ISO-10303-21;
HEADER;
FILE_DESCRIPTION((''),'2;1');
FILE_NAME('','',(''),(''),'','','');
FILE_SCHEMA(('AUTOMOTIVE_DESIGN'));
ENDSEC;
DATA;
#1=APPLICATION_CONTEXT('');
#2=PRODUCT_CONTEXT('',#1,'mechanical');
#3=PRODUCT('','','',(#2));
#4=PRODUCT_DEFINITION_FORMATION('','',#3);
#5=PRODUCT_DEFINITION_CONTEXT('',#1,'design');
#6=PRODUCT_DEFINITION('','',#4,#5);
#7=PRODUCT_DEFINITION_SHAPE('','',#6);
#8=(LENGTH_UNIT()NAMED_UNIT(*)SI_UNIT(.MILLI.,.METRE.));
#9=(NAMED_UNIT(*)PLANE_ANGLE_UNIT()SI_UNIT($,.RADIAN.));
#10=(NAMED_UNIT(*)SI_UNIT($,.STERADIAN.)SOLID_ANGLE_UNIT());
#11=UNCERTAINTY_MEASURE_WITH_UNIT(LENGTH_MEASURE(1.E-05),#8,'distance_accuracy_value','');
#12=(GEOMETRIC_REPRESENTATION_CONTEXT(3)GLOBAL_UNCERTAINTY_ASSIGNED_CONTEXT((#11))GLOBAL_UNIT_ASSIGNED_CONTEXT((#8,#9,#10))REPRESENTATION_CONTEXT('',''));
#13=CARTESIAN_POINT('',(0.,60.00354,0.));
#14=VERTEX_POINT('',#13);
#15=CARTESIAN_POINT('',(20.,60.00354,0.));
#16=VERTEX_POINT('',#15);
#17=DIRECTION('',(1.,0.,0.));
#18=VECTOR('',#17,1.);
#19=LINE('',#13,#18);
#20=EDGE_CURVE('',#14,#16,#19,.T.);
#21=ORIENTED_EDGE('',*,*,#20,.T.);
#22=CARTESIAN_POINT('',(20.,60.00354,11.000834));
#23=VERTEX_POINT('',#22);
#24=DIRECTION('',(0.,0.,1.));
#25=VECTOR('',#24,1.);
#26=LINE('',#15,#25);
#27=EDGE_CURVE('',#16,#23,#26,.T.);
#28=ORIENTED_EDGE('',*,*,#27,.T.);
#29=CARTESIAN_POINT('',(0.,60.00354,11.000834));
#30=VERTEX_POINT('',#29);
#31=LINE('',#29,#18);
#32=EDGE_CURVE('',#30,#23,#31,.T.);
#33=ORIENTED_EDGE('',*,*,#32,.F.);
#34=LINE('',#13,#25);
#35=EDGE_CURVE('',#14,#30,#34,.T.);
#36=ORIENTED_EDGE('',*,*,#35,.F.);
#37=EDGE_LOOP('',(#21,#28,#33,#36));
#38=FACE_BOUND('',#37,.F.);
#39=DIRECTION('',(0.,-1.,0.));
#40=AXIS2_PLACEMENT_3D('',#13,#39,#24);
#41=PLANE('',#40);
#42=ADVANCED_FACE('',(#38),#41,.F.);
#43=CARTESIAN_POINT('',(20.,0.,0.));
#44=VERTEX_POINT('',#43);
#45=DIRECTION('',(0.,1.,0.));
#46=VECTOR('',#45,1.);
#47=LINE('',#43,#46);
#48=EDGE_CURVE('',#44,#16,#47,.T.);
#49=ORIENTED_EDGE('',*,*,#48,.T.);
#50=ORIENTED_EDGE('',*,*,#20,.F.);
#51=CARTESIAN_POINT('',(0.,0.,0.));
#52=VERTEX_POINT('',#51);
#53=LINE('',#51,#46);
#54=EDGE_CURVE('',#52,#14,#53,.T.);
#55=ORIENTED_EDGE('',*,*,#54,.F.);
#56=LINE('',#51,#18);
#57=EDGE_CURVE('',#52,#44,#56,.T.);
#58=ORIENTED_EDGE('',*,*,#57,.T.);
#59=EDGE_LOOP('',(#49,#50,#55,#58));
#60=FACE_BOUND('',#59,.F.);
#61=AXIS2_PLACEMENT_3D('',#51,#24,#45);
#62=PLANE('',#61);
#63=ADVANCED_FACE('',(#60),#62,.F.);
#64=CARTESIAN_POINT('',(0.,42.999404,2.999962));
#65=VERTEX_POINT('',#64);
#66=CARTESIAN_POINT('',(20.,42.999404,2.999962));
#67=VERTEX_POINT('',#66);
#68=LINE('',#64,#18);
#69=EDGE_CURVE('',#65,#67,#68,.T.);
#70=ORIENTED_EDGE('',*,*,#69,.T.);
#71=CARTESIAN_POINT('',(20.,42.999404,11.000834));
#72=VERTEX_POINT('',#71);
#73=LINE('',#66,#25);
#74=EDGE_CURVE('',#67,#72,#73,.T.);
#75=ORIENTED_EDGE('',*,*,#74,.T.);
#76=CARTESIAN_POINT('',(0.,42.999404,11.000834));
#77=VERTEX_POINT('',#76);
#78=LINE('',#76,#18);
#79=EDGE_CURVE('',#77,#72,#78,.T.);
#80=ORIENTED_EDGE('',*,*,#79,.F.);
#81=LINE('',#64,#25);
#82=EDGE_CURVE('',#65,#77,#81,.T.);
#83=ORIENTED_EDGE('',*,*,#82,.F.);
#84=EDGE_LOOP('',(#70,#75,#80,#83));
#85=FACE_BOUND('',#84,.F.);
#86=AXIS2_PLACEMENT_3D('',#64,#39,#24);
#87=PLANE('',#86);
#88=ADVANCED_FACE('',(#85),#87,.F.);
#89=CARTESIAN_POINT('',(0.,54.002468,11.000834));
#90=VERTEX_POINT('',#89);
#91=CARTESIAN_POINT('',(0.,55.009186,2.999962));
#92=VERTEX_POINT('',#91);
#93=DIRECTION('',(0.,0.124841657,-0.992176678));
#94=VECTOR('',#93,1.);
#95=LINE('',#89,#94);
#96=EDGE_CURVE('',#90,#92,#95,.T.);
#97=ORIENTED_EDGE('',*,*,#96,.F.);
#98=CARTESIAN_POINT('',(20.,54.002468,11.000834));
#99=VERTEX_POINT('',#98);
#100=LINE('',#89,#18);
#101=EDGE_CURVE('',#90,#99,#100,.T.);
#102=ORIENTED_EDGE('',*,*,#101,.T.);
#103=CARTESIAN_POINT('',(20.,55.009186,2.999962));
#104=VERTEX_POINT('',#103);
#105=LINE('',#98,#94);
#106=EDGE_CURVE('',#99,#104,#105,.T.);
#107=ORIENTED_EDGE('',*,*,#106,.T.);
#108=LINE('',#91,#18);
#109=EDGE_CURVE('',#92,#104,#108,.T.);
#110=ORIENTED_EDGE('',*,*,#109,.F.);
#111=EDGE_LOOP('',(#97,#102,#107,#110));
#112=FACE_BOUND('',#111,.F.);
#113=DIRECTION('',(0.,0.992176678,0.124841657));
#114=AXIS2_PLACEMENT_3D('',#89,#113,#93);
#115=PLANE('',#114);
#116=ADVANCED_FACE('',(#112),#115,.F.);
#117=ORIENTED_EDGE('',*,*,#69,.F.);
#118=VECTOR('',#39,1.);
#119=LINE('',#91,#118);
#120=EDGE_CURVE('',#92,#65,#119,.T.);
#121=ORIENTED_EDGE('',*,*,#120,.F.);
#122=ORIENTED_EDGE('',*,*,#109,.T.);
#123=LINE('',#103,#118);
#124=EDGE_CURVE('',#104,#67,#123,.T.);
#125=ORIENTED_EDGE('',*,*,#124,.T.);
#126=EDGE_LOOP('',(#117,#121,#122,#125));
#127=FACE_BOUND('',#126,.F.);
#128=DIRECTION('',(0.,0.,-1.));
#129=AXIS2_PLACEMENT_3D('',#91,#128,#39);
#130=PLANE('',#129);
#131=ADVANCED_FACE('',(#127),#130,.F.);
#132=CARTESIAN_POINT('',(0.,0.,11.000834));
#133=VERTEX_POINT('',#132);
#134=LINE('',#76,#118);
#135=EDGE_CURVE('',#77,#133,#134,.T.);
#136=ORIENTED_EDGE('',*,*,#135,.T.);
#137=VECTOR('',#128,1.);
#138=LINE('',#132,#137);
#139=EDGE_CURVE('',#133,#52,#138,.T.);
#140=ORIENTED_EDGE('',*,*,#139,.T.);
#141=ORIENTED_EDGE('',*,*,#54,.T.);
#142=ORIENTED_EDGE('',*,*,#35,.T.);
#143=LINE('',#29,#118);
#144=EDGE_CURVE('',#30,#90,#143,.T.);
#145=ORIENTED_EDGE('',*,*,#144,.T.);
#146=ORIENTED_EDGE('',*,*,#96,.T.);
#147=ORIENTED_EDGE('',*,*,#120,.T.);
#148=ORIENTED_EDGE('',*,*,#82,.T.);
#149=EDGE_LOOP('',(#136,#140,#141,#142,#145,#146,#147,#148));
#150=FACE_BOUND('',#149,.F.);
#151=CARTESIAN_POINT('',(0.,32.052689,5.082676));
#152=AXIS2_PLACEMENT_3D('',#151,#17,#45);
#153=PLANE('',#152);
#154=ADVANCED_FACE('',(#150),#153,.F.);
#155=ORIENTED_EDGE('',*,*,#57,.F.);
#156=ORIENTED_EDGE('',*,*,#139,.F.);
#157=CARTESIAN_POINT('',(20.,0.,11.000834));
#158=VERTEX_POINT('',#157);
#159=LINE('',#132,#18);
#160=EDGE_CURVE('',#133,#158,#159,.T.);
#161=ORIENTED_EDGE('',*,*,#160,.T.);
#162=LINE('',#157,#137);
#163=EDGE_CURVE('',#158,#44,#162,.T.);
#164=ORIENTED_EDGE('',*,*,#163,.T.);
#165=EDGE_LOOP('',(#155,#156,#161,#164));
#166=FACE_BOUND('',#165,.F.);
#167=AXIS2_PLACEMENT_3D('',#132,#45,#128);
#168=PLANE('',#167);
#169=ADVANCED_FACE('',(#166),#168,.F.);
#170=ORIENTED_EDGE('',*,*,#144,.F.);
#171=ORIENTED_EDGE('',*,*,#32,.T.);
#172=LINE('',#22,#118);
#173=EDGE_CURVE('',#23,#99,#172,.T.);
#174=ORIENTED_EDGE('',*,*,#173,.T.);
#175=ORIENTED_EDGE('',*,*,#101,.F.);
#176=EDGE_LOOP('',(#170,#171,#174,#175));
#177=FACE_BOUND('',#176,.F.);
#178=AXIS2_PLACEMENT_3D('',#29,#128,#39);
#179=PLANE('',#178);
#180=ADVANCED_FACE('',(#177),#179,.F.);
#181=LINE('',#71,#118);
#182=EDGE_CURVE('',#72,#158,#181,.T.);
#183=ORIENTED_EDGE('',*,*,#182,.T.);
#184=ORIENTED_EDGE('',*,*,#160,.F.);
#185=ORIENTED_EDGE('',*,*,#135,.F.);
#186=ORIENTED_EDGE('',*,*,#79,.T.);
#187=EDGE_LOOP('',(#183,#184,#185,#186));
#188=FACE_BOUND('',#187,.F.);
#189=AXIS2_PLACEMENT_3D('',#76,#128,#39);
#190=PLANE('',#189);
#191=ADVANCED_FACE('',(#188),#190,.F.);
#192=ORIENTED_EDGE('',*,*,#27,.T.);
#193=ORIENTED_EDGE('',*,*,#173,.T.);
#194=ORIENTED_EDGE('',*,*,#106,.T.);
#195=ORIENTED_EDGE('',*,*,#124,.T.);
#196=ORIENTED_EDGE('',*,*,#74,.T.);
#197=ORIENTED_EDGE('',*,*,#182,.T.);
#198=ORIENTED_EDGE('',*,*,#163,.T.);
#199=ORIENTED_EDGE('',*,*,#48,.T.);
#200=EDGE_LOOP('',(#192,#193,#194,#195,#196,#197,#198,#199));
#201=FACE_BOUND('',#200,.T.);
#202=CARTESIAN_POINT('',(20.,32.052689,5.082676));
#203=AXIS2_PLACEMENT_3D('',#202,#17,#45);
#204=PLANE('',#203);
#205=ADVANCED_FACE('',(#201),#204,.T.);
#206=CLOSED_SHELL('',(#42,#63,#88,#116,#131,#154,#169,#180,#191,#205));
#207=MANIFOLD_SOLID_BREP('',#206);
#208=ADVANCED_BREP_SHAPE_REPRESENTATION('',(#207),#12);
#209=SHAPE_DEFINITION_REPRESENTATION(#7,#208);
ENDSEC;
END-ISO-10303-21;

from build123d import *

# Parameters (mm, degrees)
EXTRUDE_DEPTH = 20


with BuildPart() as part:
    # Sketch → Extrude (new body)
    with BuildSketch(Plane.YZ):
        Polygon((0, 0), (60.00354, 0), (60.00354, 11.000834), (54.002468, 11.000834), (55.009186, 2.999962), (42.999404, 2.999962), (42.999404, 11.000834), (0, 11.000834), align=None)
    extrude(amount=EXTRUDE_DEPTH)


solid = part.part
